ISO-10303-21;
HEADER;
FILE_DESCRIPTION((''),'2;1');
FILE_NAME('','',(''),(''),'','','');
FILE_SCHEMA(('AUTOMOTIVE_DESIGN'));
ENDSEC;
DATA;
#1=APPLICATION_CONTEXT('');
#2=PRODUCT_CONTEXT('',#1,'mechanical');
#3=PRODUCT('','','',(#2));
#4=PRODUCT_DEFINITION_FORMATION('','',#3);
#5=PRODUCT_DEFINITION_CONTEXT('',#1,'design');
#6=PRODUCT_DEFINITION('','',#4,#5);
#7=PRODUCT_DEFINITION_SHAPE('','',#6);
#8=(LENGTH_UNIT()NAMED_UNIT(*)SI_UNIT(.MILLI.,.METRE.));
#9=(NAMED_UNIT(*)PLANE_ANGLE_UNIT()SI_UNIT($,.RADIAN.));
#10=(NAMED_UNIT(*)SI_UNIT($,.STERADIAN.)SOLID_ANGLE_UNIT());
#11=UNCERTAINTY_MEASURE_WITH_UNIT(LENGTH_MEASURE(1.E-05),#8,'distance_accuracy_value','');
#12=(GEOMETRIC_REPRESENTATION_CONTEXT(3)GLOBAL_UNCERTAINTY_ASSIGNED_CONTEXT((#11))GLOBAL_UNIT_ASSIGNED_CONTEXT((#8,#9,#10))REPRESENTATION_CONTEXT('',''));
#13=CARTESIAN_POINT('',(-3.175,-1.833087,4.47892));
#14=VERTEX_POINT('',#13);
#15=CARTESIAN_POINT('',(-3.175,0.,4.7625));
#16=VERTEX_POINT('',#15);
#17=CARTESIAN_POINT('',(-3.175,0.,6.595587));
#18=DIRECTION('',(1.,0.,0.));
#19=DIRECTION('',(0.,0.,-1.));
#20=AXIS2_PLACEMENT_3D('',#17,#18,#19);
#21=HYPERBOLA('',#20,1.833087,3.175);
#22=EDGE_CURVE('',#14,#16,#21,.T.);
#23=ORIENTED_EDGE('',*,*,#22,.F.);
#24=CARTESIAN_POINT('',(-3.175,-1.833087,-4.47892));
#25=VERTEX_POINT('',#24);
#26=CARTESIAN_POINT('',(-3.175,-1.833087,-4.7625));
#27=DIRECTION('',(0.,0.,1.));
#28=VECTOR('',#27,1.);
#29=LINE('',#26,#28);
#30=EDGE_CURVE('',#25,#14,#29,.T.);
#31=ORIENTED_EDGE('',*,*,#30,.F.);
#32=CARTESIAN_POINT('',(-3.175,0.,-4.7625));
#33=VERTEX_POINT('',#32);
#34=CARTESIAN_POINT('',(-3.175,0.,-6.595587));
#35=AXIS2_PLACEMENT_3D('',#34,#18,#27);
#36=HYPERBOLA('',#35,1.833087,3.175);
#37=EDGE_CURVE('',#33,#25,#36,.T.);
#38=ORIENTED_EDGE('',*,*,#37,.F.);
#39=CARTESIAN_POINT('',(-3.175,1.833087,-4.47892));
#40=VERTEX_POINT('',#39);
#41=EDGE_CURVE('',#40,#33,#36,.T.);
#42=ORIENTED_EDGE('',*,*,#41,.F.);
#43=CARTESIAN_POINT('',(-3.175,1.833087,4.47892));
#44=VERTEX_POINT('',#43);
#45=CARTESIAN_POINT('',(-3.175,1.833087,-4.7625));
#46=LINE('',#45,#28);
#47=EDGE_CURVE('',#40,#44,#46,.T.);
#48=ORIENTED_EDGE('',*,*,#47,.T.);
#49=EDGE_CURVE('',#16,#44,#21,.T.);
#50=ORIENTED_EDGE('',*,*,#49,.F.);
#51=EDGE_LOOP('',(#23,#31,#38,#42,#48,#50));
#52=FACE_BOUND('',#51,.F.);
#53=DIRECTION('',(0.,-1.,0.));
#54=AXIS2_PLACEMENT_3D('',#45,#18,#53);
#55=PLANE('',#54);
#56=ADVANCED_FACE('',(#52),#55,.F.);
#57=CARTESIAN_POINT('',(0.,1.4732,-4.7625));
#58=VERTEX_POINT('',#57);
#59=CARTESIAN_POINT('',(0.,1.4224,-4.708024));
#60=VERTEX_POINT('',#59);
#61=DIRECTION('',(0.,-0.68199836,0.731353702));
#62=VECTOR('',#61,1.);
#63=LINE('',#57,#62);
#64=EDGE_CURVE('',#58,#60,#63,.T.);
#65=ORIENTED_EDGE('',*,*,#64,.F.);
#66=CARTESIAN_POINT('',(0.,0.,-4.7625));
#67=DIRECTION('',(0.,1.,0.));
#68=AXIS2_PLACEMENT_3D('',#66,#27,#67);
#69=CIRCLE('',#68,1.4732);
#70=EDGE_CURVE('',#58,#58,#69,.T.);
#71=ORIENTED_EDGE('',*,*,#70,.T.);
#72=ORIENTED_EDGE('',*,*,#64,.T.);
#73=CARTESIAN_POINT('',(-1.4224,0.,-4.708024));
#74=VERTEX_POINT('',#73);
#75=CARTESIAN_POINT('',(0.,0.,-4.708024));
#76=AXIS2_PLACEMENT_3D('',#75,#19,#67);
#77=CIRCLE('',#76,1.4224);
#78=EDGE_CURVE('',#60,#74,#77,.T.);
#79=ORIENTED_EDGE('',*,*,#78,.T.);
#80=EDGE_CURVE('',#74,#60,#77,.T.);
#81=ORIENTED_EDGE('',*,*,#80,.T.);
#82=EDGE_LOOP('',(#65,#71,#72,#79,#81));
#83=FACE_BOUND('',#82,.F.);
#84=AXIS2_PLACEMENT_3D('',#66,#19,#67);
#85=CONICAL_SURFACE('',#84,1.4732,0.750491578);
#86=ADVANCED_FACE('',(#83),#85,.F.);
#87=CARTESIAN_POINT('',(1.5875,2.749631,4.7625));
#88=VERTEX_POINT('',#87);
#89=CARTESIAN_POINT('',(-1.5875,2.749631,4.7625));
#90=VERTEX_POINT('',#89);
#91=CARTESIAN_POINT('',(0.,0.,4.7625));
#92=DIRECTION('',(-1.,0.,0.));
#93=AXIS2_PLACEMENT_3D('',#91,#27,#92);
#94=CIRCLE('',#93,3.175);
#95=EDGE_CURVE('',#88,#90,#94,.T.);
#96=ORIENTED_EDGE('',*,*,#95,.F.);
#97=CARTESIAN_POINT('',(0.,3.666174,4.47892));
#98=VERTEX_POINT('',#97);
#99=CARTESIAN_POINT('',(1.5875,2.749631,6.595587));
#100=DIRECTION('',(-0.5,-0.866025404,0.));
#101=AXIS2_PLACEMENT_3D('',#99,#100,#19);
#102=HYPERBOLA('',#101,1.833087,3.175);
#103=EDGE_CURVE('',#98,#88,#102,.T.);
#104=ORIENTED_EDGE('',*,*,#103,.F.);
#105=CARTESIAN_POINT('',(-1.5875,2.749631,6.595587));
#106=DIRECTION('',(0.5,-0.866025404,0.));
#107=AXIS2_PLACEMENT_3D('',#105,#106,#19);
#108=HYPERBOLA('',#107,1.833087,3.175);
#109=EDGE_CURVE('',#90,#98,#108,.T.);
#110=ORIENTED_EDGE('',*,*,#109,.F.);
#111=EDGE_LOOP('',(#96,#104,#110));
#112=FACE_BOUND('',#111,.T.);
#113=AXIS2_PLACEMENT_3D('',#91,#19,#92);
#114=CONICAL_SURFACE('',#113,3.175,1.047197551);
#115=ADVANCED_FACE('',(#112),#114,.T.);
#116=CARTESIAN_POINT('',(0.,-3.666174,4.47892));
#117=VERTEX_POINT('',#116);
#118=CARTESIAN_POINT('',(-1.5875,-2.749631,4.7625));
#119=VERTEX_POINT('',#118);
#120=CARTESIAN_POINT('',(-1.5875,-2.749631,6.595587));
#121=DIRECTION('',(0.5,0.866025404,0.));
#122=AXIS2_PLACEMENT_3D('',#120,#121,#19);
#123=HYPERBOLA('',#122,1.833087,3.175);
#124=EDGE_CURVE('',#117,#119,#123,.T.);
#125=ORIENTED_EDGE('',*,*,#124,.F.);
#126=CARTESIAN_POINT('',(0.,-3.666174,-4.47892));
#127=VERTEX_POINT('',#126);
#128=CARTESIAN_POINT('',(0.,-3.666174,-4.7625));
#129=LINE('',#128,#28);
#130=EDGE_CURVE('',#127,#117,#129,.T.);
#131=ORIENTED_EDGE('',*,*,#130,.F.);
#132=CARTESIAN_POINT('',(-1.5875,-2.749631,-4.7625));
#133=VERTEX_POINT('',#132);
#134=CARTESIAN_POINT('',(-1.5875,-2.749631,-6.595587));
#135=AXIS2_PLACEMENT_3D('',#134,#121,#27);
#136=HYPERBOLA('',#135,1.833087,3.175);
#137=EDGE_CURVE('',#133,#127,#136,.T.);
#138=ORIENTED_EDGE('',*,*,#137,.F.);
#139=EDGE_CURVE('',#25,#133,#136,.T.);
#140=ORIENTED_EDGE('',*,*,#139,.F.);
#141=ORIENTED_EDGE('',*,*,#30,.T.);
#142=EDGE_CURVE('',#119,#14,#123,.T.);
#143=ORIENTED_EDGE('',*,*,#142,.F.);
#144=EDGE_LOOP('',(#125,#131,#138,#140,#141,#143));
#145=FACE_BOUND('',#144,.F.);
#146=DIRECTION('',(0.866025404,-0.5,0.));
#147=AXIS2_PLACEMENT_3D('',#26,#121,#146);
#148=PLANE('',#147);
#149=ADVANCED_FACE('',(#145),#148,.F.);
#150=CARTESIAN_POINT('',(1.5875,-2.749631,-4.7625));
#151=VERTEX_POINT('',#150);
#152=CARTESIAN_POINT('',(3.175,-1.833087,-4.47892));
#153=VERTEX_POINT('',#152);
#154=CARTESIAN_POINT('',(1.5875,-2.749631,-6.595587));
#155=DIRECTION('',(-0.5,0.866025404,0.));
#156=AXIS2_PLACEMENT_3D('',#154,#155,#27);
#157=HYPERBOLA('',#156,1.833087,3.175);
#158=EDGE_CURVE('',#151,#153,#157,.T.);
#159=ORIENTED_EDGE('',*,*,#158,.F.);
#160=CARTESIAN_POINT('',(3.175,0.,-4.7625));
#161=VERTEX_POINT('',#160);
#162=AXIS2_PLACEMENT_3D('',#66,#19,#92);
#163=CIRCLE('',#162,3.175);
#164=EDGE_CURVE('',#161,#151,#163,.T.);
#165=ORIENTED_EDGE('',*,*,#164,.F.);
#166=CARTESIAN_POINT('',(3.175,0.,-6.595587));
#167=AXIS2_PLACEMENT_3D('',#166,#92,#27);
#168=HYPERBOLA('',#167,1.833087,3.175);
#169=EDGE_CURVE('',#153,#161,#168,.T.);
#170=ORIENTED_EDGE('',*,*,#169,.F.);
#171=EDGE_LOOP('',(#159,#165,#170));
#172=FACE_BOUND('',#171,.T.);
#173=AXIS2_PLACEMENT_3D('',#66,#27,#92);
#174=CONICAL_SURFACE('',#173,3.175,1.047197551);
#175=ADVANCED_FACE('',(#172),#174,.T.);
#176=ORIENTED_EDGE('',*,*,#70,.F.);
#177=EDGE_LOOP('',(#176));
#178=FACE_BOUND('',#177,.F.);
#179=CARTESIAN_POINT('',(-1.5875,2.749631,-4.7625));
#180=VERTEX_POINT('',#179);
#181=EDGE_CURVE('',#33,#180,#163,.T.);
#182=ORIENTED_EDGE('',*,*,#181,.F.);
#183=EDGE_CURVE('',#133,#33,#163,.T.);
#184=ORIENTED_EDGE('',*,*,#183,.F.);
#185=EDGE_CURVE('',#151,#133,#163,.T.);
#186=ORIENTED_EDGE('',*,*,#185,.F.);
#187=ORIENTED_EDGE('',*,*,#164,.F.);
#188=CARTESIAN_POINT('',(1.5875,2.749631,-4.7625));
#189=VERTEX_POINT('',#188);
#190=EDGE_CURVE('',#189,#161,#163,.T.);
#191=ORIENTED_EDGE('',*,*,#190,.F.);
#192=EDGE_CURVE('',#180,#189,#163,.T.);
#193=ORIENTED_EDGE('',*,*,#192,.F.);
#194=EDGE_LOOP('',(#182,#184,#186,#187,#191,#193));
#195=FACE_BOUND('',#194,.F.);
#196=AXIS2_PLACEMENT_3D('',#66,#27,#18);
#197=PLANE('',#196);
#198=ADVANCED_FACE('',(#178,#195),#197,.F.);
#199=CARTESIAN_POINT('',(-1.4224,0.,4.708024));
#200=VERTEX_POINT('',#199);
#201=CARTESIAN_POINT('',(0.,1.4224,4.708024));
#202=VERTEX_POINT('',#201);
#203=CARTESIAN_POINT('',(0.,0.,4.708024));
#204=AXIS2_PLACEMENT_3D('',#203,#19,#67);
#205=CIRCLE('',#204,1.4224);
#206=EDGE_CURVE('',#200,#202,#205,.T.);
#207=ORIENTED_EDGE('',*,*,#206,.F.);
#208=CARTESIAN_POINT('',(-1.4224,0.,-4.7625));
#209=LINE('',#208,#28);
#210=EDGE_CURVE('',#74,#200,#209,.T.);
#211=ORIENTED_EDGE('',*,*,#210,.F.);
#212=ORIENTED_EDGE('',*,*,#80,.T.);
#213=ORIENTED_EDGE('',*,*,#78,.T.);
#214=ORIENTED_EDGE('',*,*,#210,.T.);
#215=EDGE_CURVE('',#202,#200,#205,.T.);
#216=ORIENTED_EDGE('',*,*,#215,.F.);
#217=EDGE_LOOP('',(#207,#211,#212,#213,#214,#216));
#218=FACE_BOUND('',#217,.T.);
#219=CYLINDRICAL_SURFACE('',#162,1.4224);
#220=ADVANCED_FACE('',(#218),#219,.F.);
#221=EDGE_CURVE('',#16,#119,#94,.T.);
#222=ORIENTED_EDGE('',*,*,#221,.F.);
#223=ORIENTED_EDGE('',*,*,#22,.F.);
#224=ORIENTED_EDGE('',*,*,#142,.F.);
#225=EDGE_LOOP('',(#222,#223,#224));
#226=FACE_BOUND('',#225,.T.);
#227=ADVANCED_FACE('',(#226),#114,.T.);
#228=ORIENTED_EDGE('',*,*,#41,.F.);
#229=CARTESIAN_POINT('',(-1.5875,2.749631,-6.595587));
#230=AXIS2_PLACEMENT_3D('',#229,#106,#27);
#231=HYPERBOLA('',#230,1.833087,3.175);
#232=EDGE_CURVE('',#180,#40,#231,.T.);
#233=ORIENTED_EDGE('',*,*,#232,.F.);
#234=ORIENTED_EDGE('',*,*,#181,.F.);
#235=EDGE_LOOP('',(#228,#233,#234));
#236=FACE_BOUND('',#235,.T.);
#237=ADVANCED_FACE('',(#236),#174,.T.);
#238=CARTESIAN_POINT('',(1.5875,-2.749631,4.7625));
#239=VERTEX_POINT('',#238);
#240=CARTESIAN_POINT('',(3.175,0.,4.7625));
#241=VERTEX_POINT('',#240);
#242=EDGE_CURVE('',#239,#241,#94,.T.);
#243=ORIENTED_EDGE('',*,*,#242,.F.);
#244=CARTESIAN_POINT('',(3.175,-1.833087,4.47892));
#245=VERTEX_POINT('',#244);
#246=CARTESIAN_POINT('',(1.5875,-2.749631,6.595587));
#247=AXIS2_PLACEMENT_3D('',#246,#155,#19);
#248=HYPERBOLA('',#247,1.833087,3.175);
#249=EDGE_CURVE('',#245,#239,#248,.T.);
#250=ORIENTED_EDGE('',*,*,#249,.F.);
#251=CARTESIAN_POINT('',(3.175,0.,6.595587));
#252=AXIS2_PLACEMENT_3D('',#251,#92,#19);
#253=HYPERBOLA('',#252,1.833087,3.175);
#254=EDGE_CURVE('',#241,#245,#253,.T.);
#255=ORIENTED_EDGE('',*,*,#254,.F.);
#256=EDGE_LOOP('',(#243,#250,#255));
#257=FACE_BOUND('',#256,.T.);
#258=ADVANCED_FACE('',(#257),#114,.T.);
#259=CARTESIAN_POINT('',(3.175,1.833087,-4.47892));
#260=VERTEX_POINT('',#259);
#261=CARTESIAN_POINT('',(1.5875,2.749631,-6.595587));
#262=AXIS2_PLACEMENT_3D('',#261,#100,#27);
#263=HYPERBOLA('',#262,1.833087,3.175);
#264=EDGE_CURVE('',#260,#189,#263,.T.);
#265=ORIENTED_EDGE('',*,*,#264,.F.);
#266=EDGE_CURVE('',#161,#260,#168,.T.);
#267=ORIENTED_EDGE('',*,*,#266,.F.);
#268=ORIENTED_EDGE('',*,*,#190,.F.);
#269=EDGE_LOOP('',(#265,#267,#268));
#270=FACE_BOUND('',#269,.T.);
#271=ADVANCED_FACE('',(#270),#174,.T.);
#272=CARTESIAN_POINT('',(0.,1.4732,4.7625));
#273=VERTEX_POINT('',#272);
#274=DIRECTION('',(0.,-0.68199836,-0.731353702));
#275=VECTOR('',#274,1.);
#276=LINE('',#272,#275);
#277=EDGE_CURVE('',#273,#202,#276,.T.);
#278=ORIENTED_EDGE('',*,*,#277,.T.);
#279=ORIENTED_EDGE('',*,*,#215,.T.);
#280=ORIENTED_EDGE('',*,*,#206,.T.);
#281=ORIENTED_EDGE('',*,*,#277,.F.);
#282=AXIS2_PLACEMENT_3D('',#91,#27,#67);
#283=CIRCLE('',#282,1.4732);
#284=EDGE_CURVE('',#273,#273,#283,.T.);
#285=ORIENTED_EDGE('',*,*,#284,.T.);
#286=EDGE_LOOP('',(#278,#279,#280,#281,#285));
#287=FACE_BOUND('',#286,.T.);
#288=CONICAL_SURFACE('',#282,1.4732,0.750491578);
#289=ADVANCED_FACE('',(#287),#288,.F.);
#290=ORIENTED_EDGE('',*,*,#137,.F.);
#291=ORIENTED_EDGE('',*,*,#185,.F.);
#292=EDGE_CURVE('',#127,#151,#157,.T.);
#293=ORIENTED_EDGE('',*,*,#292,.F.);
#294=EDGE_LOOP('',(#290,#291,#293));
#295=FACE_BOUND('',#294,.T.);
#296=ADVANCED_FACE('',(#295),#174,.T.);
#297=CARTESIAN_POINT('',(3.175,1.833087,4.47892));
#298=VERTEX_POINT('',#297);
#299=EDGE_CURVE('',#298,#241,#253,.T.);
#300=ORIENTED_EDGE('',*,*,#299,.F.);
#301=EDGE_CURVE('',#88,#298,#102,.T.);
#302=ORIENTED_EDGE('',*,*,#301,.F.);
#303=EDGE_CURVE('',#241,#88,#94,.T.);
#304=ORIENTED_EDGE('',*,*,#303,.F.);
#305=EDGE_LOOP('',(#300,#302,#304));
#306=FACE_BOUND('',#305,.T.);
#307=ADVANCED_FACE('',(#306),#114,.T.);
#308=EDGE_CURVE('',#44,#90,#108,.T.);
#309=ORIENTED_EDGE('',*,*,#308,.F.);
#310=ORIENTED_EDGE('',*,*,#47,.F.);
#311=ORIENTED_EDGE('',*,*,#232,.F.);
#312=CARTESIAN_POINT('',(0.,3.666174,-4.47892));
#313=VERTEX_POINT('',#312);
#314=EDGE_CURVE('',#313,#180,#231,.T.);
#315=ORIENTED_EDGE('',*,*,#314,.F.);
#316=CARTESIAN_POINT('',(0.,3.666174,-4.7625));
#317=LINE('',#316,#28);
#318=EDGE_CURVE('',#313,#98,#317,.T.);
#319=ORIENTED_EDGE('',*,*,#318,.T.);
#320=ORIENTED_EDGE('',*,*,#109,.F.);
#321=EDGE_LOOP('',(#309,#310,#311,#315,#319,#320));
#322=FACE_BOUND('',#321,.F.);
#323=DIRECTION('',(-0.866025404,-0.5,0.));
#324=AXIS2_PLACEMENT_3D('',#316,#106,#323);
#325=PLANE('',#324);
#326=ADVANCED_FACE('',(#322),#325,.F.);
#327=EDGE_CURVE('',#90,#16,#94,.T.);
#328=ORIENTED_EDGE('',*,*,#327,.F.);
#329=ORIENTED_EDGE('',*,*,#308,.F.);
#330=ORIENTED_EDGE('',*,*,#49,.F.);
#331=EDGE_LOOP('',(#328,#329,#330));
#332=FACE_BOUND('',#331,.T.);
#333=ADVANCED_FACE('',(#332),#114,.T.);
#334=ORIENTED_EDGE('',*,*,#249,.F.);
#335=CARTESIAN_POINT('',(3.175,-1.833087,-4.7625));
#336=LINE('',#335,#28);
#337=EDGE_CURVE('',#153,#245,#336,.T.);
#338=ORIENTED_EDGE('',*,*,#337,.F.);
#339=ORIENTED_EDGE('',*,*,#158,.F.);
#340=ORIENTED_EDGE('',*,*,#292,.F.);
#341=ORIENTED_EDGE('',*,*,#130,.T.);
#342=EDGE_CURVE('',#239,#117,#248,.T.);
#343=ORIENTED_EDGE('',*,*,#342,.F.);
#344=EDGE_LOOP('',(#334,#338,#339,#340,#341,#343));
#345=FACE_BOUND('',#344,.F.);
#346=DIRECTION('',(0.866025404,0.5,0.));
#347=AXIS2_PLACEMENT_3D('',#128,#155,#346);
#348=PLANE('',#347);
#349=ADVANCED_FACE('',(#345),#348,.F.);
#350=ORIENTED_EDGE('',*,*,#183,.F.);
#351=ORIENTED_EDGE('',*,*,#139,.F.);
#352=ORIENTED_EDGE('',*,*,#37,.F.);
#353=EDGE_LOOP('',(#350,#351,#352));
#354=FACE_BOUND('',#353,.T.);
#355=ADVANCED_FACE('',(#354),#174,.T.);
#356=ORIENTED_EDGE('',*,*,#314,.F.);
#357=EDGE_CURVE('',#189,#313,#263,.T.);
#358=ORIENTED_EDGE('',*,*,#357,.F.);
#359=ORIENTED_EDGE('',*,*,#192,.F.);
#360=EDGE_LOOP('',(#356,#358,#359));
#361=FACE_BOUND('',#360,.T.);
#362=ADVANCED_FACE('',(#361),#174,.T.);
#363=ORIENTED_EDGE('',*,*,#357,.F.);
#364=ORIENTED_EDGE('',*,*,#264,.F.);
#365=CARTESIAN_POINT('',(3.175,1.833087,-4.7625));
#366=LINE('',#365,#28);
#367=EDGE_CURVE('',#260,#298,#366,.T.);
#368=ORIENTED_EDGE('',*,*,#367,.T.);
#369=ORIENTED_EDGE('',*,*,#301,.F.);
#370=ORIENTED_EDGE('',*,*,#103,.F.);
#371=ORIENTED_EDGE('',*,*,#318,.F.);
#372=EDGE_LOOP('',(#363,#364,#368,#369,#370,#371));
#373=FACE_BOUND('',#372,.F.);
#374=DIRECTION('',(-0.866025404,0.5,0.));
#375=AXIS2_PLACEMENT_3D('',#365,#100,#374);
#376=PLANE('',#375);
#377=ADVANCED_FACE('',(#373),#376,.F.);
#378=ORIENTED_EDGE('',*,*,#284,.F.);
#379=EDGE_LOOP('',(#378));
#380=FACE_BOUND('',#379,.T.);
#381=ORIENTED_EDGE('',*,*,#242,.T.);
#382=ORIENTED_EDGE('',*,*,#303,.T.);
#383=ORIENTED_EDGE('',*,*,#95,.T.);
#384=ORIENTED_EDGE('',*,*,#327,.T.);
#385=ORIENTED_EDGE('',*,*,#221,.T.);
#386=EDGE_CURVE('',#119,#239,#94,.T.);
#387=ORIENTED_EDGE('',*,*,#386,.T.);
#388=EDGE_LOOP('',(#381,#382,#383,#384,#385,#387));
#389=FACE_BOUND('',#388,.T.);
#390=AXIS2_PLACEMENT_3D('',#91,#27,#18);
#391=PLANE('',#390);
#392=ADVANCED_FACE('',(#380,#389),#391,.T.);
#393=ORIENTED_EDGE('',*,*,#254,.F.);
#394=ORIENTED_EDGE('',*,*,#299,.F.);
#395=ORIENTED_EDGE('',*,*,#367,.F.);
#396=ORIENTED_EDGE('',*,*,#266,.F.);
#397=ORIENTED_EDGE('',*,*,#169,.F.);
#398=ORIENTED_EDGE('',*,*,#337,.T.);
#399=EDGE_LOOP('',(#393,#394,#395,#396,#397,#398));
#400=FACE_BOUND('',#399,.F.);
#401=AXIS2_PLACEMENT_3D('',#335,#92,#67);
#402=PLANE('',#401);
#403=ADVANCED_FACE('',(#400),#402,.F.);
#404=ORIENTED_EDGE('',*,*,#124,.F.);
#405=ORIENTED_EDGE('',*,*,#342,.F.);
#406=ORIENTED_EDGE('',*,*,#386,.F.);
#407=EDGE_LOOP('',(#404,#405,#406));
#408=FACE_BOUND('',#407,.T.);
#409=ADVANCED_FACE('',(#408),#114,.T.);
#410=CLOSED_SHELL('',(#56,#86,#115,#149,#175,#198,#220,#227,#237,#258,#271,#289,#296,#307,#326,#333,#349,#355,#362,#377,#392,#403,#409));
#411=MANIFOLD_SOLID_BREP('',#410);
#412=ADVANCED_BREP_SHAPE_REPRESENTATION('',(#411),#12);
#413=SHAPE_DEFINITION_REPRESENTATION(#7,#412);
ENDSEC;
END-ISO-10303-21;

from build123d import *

# Parameters (mm, degrees)
EXTRUDE1_DEPTH          = 4.7625
EXTRUDE1_DEPTH_BACK     = 4.7625
SKETCH1_R               = 1.4224
SKETCH8_OUTSIDE_W       = 51.56
SKETCH8_OUTSIDE_H       = 52.542
SKETCH8_OUTSIDE_R       = 3.175
EXTRUDE4_DEPTH          = 11.688642726
EXTRUDE4_DRAFT          = -60
MIRROR1_COPY_1_SKETCH_W = 51.56
MIRROR1_COPY_1_SKETCH_H = 52.542
MIRROR1_COPY_1_SKETCH_R = 3.175
MIRROR1_COPY_1_DEPTH    = 11.688642726
MIRROR1_COPY_1_DRAFT    = -60


with BuildPart() as part:
    # Sketch1 → Extrude1 (new, two sides: drawn at the far end of the back side and taken through both)
    with BuildSketch(Plane.XY.offset(-EXTRUDE1_DEPTH_BACK)):
        Polygon((0, 3.666174209), (-3.175, 1.833087105), (-3.175, -1.833087105), (0, -3.666174209), (3.175, -1.833087105), (3.175, 1.833087105), align=None)
        with Locations(Location((0, 0, 0), (0, 0, 180))):
            Circle(SKETCH1_R, mode=Mode.SUBTRACT)
    extrude(amount=EXTRUDE1_DEPTH + EXTRUDE1_DEPTH_BACK)

    # Extrude3 cone 1 section (through the dimple's axis) → Extrude3 (revolve, cut)
    with BuildSketch(Plane(origin=(0, 0, -4.7625), x_dir=(0, 1, 0), z_dir=(1, 0, 0))):
        Polygon((0, 0), (1.4732, 0), (0, 1.579813584), align=None)
    extrude3 = revolve(axis=Axis((0, 0, -4.7625), (0, 0, 1)), mode=Mode.SUBTRACT)


with BuildPart() as extrude4_tool:
    # Sketch8 outside → Extrude4 (with draft: the straight prism first)
    with BuildSketch(Plane(origin=(0, 0, -4.7625), x_dir=(-1, 0, 0), z_dir=(0, 0, -1))):
        Rectangle(SKETCH8_OUTSIDE_W, SKETCH8_OUTSIDE_H)
        Circle(SKETCH8_OUTSIDE_R, mode=Mode.SUBTRACT)
    extrude(amount=-EXTRUDE4_DEPTH)
    # Extrude4: the draft: its side faces are tilted about the plane it starts from
    extrude4_sides = [extrude4_tool.faces().sort_by_distance(p)[0] for p in [
        (0, -26.271, 1.081821363),
        (-25.78, 0, 1.081821363),
        (0, 26.271, 1.081821363),
        (25.78, 0, 1.081821363),
        (3.175, 0, 1.081821363),
    ]]
    draft(extrude4_sides, Plane(origin=(0, 0, -4.7625), x_dir=(-1, 0, 0), z_dir=(0, 0, -1)), EXTRUDE4_DRAFT)


with BuildPart() as part_1:
    add(part.part)

    # Extrude4: cut by extrude4_tool
    add(extrude4_tool.part, mode=Mode.SUBTRACT)

    # Mirror1: Extrude3 across plane
    add(extrude3.mirror(Plane.XY), mode=Mode.SUBTRACT)


with BuildPart() as mirror1_copy_1_tool:
    # Mirror1 copy 1 sketch → Mirror1 copy 1 (with draft: the straight prism first)
    with BuildSketch(Plane(origin=(0, 0, 4.7625), x_dir=(-1, 0, 0), z_dir=(0, 0, 1))):
        Rectangle(MIRROR1_COPY_1_SKETCH_W, MIRROR1_COPY_1_SKETCH_H)
        Circle(MIRROR1_COPY_1_SKETCH_R, mode=Mode.SUBTRACT)
    extrude(amount=-MIRROR1_COPY_1_DEPTH)
    # Mirror1 copy 1: the draft: its side faces are tilted about the plane it starts from
    mirror1_copy_1_sides = [mirror1_copy_1_tool.faces().sort_by_distance(p)[0] for p in [
        (0, -26.271, -1.081821363),
        (-25.78, 0, -1.081821363),
        (0, 26.271, -1.081821363),
        (25.78, 0, -1.081821363),
        (3.175, 0, -1.081821363),
    ]]
    draft(mirror1_copy_1_sides, Plane(origin=(0, 0, 4.7625), x_dir=(-1, 0, 0), z_dir=(0, 0, 1)), MIRROR1_COPY_1_DRAFT)


with BuildPart() as part_2:
    add(part_1.part)

    # Mirror1 copy 1: cut by mirror1_copy_1_tool
    add(mirror1_copy_1_tool.part, mode=Mode.SUBTRACT)


solid = part_2.part
